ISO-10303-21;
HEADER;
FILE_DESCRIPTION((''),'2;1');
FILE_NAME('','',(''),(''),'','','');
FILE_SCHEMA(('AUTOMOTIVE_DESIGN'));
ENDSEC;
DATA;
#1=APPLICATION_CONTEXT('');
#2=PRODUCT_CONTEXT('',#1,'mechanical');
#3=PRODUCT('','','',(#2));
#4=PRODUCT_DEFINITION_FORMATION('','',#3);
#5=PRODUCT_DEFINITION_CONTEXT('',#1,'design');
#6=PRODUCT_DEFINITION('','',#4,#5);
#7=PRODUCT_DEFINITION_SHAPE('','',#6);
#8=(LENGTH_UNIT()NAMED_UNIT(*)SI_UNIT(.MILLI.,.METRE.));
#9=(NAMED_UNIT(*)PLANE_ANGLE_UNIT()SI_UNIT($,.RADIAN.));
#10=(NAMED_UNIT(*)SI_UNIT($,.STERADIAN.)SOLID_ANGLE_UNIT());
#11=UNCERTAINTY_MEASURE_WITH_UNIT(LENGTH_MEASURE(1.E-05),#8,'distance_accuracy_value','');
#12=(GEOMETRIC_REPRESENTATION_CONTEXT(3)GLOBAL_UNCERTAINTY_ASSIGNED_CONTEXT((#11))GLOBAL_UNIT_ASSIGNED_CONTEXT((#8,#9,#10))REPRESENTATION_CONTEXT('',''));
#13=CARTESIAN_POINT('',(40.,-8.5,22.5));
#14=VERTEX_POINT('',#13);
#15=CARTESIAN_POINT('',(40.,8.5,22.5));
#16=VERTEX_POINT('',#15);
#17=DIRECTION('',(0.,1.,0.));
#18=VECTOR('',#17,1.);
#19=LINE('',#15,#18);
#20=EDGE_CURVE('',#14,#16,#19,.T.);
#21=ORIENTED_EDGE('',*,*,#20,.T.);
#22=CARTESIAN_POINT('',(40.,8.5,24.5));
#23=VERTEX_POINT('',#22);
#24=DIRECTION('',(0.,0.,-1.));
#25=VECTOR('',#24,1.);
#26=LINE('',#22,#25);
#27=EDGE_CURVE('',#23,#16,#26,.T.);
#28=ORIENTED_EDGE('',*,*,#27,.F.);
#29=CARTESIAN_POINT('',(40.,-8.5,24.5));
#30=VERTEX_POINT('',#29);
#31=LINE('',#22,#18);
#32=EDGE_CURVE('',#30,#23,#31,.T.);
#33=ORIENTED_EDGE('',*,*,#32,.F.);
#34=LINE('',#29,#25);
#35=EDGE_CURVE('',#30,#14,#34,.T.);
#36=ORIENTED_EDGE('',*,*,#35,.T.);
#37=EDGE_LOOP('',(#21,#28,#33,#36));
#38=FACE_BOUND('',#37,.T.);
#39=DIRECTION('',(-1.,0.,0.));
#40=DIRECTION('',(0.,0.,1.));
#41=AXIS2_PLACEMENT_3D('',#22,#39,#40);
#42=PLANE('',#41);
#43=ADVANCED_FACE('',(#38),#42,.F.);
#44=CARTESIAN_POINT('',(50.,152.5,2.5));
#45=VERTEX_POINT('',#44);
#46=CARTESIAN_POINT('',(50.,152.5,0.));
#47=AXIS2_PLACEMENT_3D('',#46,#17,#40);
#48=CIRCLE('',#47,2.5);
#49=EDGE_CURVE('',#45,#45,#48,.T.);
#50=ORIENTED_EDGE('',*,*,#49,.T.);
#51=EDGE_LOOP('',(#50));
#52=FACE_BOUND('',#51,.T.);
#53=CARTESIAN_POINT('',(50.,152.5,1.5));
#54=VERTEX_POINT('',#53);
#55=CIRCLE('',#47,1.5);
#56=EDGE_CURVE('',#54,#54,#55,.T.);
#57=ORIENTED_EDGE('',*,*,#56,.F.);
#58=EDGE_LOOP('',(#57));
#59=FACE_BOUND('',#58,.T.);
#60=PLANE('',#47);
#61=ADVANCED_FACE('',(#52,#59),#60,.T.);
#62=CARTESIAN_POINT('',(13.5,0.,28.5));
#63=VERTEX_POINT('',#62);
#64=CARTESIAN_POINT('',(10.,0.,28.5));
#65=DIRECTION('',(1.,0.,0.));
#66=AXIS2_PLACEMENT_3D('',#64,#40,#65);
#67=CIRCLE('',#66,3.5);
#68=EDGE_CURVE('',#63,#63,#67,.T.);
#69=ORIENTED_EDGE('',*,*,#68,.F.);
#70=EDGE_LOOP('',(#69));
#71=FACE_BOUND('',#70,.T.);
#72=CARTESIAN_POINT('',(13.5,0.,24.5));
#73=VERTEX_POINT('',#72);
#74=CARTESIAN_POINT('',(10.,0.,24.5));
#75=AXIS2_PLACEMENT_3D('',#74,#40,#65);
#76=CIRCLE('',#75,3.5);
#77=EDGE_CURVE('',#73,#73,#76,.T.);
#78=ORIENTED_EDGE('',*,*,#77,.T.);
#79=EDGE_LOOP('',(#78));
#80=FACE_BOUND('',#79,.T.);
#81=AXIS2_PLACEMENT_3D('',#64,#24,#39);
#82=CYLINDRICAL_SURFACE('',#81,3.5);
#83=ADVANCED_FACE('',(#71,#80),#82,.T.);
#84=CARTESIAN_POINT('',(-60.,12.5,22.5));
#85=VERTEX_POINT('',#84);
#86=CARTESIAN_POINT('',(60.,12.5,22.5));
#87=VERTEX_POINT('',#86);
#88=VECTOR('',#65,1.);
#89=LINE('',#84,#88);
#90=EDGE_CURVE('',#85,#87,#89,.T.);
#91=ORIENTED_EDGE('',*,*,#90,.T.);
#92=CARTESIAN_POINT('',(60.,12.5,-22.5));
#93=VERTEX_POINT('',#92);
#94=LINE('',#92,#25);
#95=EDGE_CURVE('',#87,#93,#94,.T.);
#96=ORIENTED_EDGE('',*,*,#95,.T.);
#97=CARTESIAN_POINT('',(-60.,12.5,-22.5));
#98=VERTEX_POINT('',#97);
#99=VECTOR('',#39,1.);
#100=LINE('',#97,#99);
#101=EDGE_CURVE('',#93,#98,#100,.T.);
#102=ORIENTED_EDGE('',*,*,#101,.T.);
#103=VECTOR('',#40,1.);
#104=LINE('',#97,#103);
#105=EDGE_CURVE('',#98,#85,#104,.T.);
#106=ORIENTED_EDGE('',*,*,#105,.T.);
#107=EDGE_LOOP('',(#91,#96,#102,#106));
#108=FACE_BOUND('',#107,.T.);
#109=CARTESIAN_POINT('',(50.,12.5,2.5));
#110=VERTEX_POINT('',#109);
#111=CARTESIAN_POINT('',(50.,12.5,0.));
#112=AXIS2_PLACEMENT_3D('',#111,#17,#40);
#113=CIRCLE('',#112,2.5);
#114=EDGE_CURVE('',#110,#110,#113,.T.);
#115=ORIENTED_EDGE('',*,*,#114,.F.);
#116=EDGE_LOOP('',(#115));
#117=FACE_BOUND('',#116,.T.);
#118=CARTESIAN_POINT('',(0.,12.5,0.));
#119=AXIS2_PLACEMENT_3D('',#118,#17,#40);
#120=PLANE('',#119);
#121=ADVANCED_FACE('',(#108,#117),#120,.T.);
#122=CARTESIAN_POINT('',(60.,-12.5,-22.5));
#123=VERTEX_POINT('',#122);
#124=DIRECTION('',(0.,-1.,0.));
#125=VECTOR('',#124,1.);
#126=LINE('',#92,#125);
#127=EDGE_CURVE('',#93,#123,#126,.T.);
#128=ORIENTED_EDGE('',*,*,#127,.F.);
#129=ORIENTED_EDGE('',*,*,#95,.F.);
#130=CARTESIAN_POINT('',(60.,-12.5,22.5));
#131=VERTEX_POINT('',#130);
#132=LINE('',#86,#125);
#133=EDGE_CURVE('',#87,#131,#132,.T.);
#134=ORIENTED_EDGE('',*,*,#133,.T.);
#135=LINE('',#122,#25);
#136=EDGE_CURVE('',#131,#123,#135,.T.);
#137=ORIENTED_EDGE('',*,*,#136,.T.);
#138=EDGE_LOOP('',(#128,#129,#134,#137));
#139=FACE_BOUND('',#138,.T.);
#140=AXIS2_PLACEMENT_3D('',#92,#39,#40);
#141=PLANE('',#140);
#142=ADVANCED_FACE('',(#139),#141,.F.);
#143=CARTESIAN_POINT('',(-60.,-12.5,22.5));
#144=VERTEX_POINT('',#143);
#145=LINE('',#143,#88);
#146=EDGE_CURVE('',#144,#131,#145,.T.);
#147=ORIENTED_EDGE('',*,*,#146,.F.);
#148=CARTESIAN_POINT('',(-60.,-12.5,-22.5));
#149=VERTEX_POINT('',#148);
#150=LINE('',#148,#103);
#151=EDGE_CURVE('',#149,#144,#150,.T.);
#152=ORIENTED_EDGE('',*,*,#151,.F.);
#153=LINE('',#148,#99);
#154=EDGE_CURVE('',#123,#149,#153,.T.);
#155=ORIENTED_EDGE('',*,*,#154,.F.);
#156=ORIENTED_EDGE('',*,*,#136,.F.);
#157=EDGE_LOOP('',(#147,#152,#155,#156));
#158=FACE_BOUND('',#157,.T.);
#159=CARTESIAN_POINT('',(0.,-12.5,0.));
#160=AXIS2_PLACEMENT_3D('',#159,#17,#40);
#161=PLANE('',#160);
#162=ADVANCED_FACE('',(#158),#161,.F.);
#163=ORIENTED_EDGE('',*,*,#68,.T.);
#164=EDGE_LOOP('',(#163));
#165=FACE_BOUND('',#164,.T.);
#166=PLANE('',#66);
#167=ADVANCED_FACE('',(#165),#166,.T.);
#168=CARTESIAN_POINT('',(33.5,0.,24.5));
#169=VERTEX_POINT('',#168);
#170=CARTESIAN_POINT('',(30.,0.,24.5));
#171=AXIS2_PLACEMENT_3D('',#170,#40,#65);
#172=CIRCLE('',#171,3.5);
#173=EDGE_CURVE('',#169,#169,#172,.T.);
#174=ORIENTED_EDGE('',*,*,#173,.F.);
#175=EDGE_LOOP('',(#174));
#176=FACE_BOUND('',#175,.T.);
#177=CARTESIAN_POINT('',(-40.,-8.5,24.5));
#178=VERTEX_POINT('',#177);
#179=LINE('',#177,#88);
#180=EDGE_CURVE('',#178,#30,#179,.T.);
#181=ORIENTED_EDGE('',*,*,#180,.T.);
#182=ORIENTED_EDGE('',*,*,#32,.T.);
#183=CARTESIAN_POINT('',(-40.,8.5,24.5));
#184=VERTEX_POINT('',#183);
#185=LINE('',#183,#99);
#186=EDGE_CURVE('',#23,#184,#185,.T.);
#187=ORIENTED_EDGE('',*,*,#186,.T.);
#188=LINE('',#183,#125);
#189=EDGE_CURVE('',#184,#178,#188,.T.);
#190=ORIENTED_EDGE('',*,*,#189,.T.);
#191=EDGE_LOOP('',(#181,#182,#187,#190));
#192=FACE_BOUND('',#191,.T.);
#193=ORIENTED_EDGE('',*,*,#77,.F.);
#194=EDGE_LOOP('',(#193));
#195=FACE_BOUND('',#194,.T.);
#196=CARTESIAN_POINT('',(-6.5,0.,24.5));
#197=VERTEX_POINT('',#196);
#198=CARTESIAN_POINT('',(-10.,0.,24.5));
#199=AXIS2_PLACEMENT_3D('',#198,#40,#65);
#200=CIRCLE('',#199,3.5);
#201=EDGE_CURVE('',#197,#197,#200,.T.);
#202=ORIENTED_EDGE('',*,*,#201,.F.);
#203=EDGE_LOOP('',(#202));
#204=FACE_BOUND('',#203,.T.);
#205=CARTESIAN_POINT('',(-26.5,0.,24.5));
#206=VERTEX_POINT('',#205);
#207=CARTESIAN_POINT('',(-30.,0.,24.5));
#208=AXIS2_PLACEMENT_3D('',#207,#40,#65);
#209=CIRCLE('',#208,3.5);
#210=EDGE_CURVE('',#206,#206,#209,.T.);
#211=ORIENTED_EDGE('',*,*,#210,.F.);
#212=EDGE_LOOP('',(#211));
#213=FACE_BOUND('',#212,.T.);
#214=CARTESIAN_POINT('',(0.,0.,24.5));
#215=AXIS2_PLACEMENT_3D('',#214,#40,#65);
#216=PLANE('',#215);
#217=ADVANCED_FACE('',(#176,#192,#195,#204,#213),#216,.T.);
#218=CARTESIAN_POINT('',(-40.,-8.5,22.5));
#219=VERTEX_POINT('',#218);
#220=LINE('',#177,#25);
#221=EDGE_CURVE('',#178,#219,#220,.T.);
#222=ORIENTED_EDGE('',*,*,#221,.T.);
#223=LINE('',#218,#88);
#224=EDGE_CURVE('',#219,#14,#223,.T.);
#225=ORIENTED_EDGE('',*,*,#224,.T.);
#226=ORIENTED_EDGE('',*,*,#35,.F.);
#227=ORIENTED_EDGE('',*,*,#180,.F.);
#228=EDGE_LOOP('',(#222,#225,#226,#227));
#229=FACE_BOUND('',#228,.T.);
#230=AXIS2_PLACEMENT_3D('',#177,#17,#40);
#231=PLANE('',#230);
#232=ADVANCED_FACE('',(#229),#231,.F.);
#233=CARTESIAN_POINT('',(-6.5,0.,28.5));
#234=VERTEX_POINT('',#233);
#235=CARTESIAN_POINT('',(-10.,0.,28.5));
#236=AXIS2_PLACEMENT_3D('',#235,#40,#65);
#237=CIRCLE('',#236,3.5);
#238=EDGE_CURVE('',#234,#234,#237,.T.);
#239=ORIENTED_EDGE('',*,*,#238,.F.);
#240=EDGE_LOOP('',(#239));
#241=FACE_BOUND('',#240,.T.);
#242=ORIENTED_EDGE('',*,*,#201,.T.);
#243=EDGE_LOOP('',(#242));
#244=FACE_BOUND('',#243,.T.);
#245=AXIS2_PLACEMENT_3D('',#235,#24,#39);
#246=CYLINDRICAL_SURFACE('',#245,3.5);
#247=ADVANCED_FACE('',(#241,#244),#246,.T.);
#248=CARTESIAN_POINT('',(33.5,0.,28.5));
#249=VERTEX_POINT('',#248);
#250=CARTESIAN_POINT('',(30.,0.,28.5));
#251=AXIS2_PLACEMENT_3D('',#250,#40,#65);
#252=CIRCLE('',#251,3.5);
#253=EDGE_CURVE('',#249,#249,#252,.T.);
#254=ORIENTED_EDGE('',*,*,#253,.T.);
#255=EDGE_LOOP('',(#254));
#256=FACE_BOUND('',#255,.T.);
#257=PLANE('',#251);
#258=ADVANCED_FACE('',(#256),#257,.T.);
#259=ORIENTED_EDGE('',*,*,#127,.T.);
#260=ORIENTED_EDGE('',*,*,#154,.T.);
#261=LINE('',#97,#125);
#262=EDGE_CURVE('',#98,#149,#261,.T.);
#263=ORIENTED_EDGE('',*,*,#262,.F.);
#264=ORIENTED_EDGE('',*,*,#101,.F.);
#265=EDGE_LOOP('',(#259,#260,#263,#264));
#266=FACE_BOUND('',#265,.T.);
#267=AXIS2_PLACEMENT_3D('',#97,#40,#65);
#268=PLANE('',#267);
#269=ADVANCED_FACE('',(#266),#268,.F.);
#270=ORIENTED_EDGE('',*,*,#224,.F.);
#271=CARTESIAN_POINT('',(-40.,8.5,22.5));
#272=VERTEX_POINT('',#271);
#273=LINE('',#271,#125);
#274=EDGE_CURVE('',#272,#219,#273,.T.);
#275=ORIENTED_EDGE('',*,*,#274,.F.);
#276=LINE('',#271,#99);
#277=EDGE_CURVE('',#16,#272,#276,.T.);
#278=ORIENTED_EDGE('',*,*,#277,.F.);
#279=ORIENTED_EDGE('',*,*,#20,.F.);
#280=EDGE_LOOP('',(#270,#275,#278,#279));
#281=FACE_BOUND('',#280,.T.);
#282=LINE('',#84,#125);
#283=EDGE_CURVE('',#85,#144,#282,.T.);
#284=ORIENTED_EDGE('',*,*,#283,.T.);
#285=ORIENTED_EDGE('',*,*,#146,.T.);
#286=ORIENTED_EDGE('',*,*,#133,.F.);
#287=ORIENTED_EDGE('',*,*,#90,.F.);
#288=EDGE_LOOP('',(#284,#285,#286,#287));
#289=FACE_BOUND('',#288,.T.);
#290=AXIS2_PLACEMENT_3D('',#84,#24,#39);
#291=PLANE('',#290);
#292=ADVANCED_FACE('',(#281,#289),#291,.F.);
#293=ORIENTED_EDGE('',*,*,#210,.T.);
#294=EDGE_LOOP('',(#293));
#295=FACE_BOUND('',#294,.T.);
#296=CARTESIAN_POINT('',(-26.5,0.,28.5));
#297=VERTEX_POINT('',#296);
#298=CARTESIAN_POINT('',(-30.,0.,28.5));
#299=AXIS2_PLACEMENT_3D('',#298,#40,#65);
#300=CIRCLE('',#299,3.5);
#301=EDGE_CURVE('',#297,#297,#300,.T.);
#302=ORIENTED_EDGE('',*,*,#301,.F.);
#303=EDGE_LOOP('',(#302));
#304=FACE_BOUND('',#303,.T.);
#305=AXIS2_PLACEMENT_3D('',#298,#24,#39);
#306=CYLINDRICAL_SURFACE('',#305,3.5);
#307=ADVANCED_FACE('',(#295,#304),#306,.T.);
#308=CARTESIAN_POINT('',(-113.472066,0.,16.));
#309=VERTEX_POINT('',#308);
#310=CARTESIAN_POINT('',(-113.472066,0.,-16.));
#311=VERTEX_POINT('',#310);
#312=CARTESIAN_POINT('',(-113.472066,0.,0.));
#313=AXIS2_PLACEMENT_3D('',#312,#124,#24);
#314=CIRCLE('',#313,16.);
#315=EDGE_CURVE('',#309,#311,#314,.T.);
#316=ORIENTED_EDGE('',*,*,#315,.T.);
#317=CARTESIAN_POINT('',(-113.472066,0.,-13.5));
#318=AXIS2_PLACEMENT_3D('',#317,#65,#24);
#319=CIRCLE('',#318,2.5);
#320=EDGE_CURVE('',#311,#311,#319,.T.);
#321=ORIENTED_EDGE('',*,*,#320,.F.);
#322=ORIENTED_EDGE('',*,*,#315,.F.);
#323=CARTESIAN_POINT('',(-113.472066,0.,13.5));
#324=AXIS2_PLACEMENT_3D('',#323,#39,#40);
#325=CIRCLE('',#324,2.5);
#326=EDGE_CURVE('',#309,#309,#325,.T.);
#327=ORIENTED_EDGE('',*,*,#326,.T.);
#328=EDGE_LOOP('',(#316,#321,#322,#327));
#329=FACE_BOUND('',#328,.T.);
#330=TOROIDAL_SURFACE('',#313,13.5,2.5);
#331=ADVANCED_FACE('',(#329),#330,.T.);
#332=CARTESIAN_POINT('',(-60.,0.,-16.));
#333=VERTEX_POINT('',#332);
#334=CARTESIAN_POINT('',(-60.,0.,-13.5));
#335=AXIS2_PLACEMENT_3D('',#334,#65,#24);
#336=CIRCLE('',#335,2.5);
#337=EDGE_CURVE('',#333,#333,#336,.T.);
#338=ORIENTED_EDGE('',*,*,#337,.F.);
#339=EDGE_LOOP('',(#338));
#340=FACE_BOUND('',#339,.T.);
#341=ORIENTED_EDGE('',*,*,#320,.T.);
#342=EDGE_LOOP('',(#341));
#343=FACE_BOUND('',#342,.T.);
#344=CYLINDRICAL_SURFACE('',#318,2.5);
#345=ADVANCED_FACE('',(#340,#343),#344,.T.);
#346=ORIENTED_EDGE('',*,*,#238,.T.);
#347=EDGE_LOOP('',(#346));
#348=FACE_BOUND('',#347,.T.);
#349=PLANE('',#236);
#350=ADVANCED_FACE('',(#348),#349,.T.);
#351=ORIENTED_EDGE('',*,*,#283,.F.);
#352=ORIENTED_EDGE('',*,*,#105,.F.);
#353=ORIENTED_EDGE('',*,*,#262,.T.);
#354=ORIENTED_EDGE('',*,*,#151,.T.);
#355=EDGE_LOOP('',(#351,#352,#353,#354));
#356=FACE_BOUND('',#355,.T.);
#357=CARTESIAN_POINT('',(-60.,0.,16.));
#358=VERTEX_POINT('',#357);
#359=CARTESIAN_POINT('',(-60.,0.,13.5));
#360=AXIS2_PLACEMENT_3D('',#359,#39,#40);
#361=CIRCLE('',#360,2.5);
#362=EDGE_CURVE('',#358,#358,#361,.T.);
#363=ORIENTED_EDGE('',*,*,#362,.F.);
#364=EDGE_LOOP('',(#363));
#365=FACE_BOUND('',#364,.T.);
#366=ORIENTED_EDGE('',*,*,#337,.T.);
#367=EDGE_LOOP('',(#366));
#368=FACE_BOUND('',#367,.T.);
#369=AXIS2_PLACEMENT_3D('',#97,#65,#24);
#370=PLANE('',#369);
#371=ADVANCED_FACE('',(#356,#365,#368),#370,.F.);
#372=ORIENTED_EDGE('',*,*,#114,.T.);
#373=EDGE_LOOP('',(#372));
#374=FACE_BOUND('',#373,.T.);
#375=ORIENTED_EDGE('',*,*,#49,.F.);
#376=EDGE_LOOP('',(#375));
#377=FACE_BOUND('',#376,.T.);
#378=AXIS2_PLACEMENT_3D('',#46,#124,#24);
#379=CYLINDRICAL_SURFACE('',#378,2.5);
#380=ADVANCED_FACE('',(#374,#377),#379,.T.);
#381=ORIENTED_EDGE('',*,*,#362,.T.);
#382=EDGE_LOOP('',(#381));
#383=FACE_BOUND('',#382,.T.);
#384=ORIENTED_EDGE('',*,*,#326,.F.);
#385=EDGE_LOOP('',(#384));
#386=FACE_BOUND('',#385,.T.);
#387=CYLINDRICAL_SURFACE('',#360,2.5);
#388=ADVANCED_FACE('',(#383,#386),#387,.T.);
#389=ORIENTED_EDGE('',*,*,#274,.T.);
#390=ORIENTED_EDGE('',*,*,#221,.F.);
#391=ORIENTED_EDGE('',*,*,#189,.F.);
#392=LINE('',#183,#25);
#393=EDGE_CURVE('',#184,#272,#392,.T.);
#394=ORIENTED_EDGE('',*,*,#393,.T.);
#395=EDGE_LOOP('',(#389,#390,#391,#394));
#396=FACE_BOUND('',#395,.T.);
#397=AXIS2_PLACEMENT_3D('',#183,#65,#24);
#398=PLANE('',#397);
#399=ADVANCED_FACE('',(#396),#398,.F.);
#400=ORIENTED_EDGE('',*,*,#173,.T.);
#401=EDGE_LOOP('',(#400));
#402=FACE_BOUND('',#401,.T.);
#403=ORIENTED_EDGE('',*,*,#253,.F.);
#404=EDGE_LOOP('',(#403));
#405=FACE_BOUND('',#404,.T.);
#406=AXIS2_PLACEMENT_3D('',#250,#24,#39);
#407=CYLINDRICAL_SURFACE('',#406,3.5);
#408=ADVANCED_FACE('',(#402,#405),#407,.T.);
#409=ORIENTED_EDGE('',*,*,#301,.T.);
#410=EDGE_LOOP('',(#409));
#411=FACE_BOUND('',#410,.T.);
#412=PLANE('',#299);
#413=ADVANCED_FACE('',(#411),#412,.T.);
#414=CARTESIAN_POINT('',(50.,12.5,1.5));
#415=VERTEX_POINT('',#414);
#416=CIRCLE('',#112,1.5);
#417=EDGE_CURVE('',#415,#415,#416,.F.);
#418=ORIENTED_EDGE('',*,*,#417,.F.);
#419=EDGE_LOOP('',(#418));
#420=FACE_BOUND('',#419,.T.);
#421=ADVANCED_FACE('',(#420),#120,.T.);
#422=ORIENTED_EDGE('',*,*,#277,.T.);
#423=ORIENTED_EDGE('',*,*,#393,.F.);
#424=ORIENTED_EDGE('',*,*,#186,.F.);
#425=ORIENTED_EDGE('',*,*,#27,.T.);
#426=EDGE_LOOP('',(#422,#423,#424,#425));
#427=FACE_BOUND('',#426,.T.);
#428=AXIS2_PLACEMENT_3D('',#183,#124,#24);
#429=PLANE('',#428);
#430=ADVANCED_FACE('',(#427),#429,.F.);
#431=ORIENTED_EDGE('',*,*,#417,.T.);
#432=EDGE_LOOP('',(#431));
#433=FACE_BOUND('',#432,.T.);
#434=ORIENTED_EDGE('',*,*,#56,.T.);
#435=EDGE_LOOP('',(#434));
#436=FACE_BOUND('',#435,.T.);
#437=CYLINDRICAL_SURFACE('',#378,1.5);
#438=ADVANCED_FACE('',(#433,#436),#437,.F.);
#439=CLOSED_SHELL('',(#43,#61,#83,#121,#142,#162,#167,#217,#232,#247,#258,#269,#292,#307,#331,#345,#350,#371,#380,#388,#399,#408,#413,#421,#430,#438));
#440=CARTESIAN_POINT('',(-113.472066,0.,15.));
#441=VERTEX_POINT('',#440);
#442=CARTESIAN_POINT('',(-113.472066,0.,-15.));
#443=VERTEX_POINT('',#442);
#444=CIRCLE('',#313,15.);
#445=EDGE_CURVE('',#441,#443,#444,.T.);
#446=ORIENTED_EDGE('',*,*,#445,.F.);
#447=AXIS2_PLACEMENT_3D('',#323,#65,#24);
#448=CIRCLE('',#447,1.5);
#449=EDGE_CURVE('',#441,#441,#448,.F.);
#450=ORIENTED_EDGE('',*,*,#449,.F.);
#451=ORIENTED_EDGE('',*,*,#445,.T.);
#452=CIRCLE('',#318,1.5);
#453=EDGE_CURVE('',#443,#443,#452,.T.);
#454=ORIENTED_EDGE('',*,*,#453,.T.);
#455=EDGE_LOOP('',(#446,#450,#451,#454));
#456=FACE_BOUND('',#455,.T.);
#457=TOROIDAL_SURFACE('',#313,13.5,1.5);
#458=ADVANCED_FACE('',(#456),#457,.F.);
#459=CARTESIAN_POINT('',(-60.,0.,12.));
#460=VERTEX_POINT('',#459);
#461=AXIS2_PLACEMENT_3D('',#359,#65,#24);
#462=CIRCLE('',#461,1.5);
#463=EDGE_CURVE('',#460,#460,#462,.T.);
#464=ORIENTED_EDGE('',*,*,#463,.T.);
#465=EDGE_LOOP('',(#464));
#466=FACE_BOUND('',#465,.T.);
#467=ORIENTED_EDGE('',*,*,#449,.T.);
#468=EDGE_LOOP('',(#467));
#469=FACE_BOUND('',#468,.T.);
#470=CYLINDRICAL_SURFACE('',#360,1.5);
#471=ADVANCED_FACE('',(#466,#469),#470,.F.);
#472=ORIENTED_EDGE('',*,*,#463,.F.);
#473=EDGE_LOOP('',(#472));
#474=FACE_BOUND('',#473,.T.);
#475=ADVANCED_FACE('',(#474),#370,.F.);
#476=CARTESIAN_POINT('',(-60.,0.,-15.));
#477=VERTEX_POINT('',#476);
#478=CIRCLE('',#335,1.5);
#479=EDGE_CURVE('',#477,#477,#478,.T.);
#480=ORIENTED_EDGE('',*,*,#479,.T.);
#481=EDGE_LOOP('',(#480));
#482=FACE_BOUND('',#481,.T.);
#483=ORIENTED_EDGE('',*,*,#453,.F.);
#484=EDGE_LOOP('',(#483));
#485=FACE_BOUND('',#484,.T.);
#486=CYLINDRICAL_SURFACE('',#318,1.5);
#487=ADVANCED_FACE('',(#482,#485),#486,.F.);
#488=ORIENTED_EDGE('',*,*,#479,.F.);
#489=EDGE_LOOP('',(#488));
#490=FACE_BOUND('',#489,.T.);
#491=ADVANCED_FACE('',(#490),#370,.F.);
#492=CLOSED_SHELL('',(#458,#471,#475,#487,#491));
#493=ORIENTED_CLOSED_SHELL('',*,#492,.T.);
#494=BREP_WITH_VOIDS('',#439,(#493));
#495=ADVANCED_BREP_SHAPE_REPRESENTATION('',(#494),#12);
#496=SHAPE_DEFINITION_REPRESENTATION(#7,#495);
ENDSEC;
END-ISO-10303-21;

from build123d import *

# Parameters (mm, degrees)
SKETCH1_W               = 120
SKETCH1_H               = 45
BOSS_EXTRUDE1_DEPTH     = 12.5
SKETCH3_R               = 2.5
SKETCH3_R_2             = 1.5
BOSS_EXTRUDE2_DEPTH     = 140
SWEEP_THIN2_PROFILE_R   = 2.5
SWEEP_THIN2_PROFILE_R_2 = 1.5
SKETCH53_W              = 80
SKETCH53_H              = 17
BOSS_EXTRUDE3_DEPTH     = 2
SKETCH54_R              = 3.5
BOSS_EXTRUDE4_DEPTH     = 4
LPATTERN1_COUNT         = 2
LPATTERN1_PITCH         = 20
LPATTERN1_COL_COUNT     = 3
LPATTERN1_COL_PITCH     = 20


with BuildPart() as part:
    # Sketch1 → Boss-Extrude1 (new, symmetric)
    with BuildSketch(Plane(origin=(0, 0, 0), x_dir=(1, 0, 0), z_dir=(0, 1, 0))):
        Rectangle(SKETCH1_W, SKETCH1_H)
    extrude(amount=BOSS_EXTRUDE1_DEPTH, both=True)

    # Sketch3 → Boss-Extrude2 (add)
    with BuildSketch(Plane(origin=(0, 12.5, 0), x_dir=(1, 0, 0), z_dir=(0, 1, 0))):
        with Locations((50, 0)):
            Circle(SKETCH3_R)
        with Locations((50, 0)):
            Circle(SKETCH3_R_2, mode=Mode.SUBTRACT)
    extrude(amount=BOSS_EXTRUDE2_DEPTH)

    # Sweep-Thin2: sweep along a path in Sketch57
    with BuildLine(Plane(origin=(0, 0, 0), x_dir=(1, 0, 0), z_dir=(0, 1, 0))) as sweep_thin2_path:
        Line((-60, 13.5), (-113.472065941, 13.5))
        ThreePointArc((-113.472065941, 13.5), (-126.972065941, 0), (-113.472065941, -13.5))
        Line((-113.472065941, -13.5), (-60, -13.5))
    # Sweep-Thin2 profile (on start of the path) → Sweep-Thin2 (sweep)
    with BuildSketch(Plane(origin=(-60, 0, -13.5), x_dir=(0, 0, -1), z_dir=(-1, 0, 0))):
        Circle(SWEEP_THIN2_PROFILE_R)
        Circle(SWEEP_THIN2_PROFILE_R_2, mode=Mode.SUBTRACT)
    sweep(path=sweep_thin2_path.line)

    # Sketch53 → Boss-Extrude3 (add)
    with BuildSketch(Plane.XY.offset(22.5)):
        Rectangle(SKETCH53_W, SKETCH53_H)
    extrude(amount=BOSS_EXTRUDE3_DEPTH)

    # Sketch54 → Boss-Extrude4 (add)
    with BuildSketch(Plane.XY.offset(24.5)):
        with Locations((-10, 0)):
            Circle(SKETCH54_R)
    boss_extrude4 = extrude(amount=BOSS_EXTRUDE4_DEPTH)

    # LPattern1: Boss-Extrude4 ×2
    with Locations(*[(-i * LPATTERN1_PITCH, 0, 0) for i in range(1, LPATTERN1_COUNT)]):
        add(boss_extrude4)

    # LPattern1 col: Boss-Extrude4 ×3
    with Locations(*[(i * LPATTERN1_COL_PITCH, 0, 0) for i in range(1, LPATTERN1_COL_COUNT)]):
        add(boss_extrude4)


solid = part.part
